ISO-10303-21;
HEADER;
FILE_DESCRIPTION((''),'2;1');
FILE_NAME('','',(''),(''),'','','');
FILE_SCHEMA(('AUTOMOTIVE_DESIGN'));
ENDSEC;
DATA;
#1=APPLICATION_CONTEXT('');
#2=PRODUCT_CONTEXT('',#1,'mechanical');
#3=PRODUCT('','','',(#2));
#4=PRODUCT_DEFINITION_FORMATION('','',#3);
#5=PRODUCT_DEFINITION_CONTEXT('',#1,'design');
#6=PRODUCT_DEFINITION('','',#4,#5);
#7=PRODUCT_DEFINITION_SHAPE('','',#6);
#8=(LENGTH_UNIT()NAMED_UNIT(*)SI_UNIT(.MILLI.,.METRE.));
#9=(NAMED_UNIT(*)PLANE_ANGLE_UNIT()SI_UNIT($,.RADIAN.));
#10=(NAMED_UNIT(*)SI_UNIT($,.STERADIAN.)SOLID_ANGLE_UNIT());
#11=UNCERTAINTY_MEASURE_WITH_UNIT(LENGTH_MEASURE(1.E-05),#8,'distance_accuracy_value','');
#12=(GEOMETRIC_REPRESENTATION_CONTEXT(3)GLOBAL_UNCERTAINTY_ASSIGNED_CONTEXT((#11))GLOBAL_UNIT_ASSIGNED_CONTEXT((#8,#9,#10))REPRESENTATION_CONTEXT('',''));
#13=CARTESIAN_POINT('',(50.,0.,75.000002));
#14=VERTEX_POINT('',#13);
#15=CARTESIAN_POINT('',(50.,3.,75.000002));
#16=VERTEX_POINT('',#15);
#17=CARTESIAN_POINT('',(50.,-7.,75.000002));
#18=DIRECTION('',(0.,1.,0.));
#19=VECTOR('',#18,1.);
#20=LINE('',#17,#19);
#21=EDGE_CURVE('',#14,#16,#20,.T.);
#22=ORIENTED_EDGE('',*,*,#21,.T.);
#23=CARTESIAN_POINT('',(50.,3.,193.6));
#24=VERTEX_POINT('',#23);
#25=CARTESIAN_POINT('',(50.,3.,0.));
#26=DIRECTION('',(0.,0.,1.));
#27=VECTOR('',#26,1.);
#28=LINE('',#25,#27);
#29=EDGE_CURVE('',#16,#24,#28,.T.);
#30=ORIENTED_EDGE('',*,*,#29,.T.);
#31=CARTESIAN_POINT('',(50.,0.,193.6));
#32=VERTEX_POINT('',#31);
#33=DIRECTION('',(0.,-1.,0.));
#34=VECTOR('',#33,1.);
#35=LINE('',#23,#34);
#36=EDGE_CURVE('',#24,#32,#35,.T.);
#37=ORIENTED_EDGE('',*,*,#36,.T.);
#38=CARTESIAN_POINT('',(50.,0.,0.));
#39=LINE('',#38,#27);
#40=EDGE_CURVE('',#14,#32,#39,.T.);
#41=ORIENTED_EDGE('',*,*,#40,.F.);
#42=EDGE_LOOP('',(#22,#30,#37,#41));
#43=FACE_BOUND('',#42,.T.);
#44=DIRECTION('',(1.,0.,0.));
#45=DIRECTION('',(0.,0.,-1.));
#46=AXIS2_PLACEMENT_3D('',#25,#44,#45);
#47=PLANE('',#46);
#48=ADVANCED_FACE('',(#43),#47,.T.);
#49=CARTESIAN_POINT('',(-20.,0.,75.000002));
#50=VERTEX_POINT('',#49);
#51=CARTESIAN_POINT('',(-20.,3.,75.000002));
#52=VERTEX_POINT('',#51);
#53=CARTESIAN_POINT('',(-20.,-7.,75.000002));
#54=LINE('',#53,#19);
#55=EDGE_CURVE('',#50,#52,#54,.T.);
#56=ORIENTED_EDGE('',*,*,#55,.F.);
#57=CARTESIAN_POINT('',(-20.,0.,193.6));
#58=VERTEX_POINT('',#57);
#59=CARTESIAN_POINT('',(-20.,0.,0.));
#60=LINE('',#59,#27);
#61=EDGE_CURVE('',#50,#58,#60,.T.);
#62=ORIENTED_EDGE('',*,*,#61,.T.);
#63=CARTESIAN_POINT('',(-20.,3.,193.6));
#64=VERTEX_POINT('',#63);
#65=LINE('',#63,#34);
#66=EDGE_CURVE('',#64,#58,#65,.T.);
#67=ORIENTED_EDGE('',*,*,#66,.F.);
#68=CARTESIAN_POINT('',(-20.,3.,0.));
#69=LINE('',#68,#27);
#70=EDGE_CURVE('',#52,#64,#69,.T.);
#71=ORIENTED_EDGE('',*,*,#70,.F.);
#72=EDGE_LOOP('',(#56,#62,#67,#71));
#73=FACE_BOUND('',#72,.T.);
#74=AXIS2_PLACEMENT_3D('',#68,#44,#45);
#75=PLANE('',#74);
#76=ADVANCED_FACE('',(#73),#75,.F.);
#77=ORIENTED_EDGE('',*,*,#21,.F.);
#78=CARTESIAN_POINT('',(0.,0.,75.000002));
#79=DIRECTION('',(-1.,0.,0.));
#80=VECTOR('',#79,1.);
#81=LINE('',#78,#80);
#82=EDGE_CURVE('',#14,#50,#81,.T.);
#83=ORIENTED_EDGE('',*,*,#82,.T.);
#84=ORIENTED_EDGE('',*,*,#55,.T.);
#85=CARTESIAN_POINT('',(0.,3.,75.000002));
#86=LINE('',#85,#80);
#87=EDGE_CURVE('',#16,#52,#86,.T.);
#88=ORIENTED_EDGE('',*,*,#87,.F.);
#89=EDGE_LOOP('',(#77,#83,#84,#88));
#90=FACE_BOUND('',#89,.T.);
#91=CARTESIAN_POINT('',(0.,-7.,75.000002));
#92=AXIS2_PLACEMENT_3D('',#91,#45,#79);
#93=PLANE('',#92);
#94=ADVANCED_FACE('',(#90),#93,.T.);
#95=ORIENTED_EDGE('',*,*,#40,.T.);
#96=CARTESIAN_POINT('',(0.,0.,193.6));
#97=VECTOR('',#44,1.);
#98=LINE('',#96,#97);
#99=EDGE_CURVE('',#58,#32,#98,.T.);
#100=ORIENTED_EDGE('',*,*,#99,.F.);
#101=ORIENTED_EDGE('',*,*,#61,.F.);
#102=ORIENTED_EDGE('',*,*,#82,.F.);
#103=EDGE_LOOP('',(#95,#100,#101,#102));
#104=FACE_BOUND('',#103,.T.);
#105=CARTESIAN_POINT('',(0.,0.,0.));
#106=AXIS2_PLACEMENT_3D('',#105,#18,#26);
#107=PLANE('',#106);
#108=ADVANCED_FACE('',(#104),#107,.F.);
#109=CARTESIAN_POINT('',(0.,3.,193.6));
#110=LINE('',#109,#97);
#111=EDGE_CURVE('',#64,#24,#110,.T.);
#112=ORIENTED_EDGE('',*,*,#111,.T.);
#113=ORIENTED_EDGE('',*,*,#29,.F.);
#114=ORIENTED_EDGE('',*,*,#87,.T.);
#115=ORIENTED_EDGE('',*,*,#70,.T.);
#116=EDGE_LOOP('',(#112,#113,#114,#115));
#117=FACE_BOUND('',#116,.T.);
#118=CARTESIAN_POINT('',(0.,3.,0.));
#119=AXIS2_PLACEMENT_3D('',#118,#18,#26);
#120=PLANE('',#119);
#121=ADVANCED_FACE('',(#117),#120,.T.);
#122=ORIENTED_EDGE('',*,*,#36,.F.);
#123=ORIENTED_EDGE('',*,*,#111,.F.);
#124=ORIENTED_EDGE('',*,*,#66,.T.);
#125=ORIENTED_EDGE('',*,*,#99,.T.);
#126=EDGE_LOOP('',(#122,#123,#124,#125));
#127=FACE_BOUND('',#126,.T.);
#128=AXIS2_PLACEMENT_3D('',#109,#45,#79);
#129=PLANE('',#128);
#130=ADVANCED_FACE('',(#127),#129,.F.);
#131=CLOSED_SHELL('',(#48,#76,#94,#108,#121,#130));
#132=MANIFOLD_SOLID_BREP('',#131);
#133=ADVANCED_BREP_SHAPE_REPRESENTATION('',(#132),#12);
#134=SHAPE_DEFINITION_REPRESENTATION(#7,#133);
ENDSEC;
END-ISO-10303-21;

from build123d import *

# Parameters (mm, degrees)
SKETCH_1_W          = 70
SKETCH_1_H          = 387.2
EXTRUDE_1_DEPTH     = 3
SKETCH_2_W          = 70
SKETCH_2_H          = 268.60000206
CUT_EXTRUDE_1_DEPTH = 10


with BuildPart() as part:
    # 草图1 → 凸台-拉伸1 (new body)
    with BuildSketch(Plane(origin=(0, 0, 0), x_dir=(1, 0, 0), z_dir=(0, 1, 0))):
        with Locations((15, 0)):
            Rectangle(SKETCH_1_W, SKETCH_1_H)
    extrude(amount=EXTRUDE_1_DEPTH)

    # 草图2 → 切除-拉伸1 (cut)
    with BuildSketch(Plane(origin=(0, 3, 0), x_dir=(1, 0, 0), z_dir=(0, 1, 0))):
        with Locations((15, 59.29999897)):
            Rectangle(SKETCH_2_W, SKETCH_2_H)
    extrude(amount=-CUT_EXTRUDE_1_DEPTH, mode=Mode.SUBTRACT)


solid = part.part
